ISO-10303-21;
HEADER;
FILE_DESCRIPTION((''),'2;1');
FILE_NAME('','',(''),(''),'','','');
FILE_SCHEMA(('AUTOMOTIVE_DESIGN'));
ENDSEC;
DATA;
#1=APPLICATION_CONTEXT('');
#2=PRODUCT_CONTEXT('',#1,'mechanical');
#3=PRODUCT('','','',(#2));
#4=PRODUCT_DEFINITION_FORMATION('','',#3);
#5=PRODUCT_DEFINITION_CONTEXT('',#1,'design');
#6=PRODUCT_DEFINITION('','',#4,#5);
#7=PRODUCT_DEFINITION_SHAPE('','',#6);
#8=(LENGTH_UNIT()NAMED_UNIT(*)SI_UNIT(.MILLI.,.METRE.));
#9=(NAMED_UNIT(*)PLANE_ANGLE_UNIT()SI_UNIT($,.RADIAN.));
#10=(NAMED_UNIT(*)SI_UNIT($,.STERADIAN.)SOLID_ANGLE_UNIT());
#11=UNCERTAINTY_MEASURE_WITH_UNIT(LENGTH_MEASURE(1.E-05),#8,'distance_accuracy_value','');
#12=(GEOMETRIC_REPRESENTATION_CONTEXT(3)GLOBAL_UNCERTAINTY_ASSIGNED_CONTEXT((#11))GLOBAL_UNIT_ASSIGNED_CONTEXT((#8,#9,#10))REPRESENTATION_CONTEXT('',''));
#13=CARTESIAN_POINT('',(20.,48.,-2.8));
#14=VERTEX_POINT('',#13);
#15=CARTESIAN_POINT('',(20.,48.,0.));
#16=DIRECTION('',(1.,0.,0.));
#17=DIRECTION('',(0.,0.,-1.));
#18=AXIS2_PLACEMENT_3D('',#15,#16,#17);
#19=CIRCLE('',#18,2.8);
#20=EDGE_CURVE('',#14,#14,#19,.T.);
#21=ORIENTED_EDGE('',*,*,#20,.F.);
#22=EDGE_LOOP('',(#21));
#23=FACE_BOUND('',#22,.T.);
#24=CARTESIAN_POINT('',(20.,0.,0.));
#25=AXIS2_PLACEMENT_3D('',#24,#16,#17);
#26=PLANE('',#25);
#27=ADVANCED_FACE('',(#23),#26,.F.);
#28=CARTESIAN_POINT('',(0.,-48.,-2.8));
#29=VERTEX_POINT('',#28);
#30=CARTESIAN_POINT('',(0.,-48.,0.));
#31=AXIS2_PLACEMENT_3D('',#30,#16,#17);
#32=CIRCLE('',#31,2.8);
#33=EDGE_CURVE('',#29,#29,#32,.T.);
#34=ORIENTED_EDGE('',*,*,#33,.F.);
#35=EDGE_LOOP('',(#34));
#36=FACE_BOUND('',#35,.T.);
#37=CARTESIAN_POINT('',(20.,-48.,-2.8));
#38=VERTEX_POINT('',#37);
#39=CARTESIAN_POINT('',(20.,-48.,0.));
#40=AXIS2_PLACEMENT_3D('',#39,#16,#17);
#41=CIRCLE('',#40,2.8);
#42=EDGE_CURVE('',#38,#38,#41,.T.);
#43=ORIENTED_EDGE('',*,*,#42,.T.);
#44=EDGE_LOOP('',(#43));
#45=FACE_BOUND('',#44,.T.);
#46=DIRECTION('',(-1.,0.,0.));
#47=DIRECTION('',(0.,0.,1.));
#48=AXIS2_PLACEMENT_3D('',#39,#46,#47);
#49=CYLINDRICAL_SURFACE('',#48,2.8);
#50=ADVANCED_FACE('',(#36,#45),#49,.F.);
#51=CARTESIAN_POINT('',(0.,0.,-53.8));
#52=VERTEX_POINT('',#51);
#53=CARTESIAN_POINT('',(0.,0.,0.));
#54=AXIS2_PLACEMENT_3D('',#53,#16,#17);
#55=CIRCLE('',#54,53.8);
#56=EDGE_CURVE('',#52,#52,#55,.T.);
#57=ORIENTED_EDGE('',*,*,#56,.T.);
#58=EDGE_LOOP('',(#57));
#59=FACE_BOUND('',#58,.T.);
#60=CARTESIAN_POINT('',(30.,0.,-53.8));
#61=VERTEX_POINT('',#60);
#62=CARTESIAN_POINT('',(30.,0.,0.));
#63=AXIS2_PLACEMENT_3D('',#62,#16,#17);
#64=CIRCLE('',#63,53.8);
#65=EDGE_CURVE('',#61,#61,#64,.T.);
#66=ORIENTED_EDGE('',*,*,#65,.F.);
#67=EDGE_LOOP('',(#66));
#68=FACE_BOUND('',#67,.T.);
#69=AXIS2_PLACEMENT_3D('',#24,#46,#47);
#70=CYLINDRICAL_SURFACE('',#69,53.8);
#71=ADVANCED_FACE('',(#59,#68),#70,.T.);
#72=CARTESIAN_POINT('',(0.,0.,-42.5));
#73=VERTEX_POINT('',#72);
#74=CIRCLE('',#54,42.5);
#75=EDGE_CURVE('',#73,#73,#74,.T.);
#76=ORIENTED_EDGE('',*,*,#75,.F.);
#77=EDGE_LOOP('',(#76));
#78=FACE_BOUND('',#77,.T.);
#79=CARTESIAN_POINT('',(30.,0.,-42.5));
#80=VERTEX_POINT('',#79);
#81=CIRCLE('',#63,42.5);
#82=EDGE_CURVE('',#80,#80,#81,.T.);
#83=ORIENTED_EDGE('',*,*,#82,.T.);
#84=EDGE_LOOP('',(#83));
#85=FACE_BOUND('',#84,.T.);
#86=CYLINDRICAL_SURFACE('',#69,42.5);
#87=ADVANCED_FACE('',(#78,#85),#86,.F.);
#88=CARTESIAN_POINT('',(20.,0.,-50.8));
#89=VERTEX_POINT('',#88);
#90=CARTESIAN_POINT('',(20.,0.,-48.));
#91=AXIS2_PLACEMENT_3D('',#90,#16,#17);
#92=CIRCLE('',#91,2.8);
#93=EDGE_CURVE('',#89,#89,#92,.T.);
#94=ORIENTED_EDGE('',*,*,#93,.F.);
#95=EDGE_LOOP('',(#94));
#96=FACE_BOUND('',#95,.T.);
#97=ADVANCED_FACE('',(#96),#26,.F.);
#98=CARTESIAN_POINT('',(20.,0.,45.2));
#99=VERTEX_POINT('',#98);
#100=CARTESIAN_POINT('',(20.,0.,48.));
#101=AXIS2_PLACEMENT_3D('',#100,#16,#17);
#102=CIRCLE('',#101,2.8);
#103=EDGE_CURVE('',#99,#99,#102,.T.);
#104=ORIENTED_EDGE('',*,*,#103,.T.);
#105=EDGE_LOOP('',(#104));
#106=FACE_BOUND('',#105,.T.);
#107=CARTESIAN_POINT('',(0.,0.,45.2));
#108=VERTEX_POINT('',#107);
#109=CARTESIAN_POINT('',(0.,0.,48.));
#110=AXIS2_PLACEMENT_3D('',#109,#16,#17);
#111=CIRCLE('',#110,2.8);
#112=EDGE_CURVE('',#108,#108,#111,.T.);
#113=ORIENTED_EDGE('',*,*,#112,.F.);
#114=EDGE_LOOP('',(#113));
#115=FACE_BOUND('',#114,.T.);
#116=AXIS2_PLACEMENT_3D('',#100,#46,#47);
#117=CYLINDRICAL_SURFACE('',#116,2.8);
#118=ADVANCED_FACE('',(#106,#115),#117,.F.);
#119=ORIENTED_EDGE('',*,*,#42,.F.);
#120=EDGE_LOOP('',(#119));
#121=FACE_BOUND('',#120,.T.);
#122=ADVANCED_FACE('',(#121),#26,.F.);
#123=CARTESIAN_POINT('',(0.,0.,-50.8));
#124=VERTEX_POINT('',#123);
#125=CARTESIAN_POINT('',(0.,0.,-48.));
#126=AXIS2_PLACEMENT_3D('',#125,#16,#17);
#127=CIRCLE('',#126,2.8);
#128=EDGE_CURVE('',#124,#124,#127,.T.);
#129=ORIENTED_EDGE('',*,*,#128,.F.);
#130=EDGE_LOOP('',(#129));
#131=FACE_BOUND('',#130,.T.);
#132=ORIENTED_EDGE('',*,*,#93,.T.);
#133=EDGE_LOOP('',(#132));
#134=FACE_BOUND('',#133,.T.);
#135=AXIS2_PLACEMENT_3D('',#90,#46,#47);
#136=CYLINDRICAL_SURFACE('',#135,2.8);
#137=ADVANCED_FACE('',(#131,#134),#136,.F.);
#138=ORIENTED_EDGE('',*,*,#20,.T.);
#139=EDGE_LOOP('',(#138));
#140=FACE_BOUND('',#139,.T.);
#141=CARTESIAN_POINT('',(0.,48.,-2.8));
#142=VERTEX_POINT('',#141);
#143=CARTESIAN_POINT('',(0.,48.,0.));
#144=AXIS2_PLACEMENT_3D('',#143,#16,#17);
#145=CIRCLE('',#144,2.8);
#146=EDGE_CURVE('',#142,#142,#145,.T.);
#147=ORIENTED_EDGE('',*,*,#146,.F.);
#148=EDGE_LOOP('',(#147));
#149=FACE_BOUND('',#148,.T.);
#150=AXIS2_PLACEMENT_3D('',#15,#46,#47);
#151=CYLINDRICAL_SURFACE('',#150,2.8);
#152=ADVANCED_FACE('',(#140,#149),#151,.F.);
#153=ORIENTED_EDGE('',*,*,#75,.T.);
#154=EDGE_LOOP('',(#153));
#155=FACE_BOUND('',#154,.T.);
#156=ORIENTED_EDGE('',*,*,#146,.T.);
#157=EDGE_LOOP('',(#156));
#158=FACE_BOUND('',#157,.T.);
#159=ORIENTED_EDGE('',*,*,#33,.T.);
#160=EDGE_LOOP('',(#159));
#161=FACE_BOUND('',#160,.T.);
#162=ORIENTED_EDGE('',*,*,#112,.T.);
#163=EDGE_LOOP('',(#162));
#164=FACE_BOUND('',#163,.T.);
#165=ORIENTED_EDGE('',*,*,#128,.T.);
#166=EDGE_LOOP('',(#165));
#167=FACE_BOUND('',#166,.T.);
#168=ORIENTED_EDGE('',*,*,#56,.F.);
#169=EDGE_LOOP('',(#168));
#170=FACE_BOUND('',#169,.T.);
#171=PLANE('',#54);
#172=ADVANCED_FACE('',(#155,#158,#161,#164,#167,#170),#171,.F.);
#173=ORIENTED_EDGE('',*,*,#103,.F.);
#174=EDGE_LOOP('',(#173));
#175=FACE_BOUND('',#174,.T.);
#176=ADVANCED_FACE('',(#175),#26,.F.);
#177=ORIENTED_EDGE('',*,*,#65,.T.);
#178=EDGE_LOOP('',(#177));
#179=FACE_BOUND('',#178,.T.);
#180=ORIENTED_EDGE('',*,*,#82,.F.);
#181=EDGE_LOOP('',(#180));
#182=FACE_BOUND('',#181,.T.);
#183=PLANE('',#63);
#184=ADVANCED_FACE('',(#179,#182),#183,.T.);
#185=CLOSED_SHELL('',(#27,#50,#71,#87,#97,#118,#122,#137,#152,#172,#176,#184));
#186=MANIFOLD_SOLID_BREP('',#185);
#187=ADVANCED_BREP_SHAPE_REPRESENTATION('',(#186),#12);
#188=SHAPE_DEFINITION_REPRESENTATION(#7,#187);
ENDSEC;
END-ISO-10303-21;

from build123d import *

# Parameters (mm, degrees)
SKETCH1_R           = 53.8
SKETCH1_R_2         = 42.5
SKETCH1_R_3         = 2.8
BOSS_EXTRUDE1_DEPTH = 20
SKETCH3_R           = 53.8
SKETCH3_R_2         = 42.5
BOSS_EXTRUDE2_DEPTH = 10


with BuildPart() as part:
    # Sketch1 → Boss-Extrude1 (new body)
    with BuildSketch(Plane(origin=(0, 0, 0), x_dir=(0, 0, -1), z_dir=(1, 0, 0))):
        Circle(SKETCH1_R)
        Circle(SKETCH1_R_2, mode=Mode.SUBTRACT)
        with Locations((0, 48)):
            Circle(SKETCH1_R_3, mode=Mode.SUBTRACT)
        with Locations((48, 0)):
            Circle(SKETCH1_R_3, mode=Mode.SUBTRACT)
        with Locations((0, -48)):
            Circle(SKETCH1_R_3, mode=Mode.SUBTRACT)
        with Locations((-48, 0)):
            Circle(SKETCH1_R_3, mode=Mode.SUBTRACT)
    extrude(amount=BOSS_EXTRUDE1_DEPTH)

    # Sketch3 → Boss-Extrude2 (add)
    with BuildSketch(Plane(origin=(20, 0, 0), x_dir=(0, 0, -1), z_dir=(1, 0, 0))):
        Circle(SKETCH3_R)
        Circle(SKETCH3_R_2, mode=Mode.SUBTRACT)
    extrude(amount=BOSS_EXTRUDE2_DEPTH)


solid = part.part
